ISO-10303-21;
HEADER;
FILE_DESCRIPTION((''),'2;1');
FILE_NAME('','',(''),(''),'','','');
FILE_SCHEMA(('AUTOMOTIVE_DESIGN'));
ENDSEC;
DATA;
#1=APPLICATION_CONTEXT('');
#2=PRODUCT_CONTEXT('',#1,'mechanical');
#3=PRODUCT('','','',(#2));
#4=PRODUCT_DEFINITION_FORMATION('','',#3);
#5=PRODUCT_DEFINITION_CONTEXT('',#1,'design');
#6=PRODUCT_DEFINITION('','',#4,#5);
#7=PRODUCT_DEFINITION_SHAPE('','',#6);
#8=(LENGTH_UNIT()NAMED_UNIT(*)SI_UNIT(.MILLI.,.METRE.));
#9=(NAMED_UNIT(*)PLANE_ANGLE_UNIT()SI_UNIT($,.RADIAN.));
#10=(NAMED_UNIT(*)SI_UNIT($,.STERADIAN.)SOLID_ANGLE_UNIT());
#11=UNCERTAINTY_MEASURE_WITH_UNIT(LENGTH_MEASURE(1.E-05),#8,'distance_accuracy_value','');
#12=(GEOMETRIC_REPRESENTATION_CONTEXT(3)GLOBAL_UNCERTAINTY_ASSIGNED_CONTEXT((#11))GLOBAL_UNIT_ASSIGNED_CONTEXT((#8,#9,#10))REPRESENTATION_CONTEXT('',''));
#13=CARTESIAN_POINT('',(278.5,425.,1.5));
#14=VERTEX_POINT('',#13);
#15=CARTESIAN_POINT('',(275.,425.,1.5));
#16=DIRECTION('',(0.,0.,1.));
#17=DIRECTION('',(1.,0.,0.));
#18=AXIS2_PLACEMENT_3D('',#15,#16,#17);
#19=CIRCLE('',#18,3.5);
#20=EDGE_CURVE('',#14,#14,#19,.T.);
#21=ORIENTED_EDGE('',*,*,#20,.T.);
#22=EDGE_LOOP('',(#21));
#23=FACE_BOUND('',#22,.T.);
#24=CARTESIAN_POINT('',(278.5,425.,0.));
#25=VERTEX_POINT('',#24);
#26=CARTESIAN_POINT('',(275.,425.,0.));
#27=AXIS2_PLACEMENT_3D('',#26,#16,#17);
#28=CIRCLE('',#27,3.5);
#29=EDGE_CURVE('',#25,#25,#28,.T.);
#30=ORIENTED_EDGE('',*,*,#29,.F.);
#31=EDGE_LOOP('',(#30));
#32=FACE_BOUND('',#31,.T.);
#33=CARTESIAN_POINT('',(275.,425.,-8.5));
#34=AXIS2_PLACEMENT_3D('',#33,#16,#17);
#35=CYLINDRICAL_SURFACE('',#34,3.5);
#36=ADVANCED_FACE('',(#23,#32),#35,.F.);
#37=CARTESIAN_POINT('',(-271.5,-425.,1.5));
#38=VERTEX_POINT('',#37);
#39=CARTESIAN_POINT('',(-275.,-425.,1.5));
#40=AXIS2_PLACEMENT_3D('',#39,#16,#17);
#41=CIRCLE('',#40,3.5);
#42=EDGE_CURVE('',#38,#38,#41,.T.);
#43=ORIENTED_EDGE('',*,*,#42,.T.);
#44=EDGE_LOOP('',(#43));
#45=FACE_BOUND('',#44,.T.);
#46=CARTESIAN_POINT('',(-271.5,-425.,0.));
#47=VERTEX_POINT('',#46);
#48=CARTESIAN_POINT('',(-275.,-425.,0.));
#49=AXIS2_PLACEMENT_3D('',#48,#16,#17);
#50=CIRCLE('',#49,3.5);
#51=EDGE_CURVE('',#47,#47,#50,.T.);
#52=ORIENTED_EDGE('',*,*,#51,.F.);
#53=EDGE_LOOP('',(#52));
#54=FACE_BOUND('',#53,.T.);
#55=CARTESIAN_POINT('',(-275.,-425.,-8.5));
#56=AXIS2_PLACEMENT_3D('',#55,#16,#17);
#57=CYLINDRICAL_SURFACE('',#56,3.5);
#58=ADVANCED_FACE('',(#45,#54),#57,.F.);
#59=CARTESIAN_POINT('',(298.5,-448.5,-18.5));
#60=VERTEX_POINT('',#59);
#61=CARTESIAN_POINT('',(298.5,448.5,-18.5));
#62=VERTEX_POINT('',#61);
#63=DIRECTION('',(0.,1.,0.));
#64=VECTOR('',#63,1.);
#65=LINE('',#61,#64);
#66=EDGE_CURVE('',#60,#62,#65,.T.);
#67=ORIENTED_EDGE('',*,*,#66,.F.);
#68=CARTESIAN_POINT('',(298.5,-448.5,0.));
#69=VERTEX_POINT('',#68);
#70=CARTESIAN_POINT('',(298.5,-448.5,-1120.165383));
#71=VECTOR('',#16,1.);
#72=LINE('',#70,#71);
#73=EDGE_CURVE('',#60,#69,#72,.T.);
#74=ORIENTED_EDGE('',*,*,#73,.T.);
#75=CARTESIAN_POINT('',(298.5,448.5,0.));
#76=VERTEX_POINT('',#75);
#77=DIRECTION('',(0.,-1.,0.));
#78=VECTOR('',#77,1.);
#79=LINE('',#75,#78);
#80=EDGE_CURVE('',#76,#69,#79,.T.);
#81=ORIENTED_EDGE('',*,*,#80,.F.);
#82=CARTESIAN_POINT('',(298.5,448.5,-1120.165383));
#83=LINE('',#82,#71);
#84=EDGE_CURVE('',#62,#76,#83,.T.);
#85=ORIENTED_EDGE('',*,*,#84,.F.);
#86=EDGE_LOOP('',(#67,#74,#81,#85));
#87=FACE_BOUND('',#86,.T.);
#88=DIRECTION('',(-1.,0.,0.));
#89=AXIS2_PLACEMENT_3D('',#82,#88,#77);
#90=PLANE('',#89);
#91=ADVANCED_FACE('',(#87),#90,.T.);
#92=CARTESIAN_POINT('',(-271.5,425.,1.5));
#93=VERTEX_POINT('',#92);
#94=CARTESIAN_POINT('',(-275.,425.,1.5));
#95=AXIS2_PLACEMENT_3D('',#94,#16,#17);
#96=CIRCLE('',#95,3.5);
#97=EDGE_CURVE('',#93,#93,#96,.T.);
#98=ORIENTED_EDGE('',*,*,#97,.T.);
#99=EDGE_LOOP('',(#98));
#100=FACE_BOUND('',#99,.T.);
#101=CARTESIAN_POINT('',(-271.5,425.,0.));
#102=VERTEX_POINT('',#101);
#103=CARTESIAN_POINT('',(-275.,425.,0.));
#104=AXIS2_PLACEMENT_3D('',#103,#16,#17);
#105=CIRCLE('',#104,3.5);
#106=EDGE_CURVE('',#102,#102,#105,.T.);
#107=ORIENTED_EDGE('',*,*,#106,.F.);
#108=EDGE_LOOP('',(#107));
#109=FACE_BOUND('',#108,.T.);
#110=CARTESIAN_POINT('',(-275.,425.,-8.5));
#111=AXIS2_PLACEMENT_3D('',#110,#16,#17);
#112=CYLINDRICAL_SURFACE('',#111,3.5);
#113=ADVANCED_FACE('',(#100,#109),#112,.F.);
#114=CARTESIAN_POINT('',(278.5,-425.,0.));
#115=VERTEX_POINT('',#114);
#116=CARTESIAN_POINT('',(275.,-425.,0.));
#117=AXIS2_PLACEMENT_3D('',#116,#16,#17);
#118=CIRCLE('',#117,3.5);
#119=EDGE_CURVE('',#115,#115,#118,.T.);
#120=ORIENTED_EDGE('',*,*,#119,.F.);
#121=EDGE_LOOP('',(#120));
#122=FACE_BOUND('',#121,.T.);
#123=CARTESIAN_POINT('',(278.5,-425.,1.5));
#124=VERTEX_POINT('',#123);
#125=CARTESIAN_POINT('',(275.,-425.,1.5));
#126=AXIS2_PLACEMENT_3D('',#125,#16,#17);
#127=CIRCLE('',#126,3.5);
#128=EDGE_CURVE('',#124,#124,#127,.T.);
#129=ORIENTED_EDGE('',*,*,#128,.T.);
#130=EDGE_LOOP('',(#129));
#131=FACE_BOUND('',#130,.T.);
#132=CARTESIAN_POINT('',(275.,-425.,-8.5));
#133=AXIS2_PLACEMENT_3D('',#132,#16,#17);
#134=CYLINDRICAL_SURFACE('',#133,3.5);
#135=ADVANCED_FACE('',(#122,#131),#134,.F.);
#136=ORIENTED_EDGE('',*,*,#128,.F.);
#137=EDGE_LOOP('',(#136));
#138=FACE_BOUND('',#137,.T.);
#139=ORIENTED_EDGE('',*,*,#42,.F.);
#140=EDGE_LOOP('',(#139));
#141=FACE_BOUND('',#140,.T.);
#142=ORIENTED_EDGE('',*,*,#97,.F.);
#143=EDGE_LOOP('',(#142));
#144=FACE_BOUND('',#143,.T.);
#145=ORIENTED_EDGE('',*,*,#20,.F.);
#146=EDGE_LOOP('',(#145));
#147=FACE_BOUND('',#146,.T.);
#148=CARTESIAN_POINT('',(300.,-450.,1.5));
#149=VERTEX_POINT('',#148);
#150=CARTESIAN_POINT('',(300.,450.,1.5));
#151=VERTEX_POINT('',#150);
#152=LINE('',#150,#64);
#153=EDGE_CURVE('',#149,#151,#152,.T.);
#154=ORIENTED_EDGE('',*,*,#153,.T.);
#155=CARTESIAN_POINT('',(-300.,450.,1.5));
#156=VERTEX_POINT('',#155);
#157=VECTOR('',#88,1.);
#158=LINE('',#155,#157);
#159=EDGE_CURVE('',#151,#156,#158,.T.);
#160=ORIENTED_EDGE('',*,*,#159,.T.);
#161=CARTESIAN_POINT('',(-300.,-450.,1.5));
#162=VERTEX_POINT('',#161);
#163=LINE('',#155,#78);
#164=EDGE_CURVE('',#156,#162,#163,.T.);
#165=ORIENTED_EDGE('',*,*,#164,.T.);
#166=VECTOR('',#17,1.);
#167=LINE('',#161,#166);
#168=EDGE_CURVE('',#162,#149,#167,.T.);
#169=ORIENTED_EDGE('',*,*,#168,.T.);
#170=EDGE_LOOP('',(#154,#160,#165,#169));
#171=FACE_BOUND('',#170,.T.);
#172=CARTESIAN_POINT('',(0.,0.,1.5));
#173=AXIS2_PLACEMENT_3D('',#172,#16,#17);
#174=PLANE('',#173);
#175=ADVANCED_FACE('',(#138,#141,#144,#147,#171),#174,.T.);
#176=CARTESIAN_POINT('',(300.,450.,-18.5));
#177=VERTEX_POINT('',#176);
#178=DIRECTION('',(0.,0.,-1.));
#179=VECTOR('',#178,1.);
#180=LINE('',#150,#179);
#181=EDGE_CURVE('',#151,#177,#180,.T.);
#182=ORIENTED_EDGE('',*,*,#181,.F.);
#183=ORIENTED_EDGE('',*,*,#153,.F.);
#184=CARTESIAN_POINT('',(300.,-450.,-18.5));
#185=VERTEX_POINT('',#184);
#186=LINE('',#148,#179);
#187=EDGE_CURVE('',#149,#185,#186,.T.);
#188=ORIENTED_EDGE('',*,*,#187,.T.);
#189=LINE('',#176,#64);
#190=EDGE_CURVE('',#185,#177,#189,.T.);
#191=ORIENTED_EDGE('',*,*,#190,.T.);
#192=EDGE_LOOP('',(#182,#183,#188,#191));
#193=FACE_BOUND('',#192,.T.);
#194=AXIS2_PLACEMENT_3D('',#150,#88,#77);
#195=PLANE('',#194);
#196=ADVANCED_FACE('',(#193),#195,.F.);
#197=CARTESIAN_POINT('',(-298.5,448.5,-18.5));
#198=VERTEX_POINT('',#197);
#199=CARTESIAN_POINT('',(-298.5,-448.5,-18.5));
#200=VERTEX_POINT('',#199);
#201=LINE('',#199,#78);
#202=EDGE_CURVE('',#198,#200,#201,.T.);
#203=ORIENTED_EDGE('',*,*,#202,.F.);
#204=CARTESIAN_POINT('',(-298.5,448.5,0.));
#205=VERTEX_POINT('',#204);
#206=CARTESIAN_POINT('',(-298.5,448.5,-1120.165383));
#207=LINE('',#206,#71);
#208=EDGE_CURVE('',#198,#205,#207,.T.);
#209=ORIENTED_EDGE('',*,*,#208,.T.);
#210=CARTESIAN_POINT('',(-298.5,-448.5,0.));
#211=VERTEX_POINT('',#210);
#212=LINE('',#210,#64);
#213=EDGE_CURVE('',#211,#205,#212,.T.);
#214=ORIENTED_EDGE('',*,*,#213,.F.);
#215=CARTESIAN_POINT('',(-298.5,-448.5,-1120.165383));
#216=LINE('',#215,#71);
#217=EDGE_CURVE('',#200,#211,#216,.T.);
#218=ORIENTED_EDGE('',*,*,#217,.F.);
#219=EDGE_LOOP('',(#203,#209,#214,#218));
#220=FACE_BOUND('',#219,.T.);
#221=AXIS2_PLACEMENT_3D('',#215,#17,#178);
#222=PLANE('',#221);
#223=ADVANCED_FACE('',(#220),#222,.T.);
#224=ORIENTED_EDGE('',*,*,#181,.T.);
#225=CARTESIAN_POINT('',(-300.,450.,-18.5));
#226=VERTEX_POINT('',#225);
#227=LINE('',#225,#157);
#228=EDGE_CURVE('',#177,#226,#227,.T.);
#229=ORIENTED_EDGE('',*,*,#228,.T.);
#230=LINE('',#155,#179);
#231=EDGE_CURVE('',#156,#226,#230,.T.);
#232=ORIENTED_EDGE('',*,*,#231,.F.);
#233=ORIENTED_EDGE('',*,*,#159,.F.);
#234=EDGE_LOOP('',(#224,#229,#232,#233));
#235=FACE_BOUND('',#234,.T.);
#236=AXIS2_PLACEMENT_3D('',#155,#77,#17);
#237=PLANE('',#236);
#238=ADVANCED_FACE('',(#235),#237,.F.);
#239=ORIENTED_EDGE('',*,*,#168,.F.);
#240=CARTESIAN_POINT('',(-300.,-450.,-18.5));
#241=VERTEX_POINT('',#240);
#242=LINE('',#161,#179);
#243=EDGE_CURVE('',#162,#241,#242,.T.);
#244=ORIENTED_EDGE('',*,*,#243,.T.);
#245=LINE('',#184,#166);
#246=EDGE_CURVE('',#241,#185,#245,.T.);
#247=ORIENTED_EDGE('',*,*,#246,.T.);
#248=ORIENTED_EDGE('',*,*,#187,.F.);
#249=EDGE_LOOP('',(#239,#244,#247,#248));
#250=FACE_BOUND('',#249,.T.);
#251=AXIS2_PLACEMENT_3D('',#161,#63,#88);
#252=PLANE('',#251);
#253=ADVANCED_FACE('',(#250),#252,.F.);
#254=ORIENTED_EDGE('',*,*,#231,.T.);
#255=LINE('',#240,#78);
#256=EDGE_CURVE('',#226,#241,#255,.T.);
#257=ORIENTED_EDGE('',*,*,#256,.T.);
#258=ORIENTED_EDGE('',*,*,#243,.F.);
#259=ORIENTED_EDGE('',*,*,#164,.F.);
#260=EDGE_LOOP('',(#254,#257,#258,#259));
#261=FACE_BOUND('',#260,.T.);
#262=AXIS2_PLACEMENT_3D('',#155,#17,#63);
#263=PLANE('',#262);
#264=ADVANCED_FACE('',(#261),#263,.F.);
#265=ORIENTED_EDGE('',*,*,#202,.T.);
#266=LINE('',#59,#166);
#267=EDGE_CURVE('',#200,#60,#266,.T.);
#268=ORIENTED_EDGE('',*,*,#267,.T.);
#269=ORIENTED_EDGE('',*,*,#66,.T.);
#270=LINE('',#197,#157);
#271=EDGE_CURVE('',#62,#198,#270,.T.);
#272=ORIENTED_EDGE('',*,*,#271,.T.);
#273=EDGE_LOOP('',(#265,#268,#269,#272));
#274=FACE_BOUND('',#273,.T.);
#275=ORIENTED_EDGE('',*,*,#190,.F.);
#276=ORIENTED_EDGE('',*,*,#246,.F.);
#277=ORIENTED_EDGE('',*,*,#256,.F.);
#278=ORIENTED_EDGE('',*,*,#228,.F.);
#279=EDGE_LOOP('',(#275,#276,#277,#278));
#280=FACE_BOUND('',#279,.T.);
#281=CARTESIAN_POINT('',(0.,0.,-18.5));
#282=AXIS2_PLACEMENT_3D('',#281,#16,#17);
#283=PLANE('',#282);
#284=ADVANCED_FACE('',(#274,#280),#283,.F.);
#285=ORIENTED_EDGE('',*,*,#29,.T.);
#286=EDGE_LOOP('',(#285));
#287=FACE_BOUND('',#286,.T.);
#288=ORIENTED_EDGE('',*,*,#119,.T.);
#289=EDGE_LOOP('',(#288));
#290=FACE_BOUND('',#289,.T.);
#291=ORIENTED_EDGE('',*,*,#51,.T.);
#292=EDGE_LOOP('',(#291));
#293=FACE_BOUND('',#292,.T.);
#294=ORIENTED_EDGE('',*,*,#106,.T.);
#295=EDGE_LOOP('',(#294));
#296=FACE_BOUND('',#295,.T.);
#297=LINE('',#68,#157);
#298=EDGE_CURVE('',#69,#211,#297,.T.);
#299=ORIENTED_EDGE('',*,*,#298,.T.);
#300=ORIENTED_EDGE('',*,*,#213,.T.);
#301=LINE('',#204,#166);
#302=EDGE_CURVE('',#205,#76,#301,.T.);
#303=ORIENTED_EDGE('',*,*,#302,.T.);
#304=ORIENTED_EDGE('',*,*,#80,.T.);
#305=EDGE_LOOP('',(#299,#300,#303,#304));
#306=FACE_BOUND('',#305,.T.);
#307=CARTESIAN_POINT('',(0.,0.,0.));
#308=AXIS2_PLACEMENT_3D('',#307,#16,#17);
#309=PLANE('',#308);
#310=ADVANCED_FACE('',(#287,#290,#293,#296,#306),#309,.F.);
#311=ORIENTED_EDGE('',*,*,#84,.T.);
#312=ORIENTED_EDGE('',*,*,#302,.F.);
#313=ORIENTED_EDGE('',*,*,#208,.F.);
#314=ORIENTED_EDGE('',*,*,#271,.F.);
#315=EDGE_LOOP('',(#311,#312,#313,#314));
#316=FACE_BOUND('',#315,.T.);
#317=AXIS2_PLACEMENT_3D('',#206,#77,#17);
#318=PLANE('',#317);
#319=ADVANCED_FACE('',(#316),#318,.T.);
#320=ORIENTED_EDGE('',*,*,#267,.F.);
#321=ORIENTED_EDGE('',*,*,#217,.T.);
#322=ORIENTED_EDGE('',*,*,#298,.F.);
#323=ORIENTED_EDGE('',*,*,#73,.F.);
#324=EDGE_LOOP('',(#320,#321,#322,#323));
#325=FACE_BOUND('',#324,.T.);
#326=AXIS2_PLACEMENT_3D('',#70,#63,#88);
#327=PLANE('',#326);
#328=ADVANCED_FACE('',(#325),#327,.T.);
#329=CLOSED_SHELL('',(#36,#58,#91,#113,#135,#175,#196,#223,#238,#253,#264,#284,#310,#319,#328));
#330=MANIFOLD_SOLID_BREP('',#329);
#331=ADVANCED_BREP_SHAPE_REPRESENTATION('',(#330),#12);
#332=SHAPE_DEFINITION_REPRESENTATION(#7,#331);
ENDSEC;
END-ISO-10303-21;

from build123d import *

# Parameters (mm, degrees)
SKETCH_1_W          = 600
SKETCH_1_H          = 900
EXTRUDE_1_DEPTH     = 1.5
SKETCH_2_W          = 600
SKETCH_2_H          = 900
SKETCH_2_W_2        = 597
SKETCH_2_H_2        = 897
EXTRUDE_2_DEPTH     = 18.5
SKETCH_4_R          = 3.5
CUT_EXTRUDE_1_DEPTH = 10


with BuildPart() as part:
    # 草图1 → 凸台-拉伸1 (new body)
    with BuildSketch(Plane.XY):
        Rectangle(SKETCH_1_W, SKETCH_1_H)
    extrude(amount=EXTRUDE_1_DEPTH)

    # 草图2 → 凸台-拉伸2 (add)
    with BuildSketch(Plane(origin=(0, 0, 0), x_dir=(-1, 0, 0), z_dir=(0, 0, -1))):
        Rectangle(SKETCH_2_W, SKETCH_2_H)
        Rectangle(SKETCH_2_W_2, SKETCH_2_H_2, mode=Mode.SUBTRACT)
    extrude(amount=EXTRUDE_2_DEPTH)

    # 草图4 → 切除-拉伸1 (cut)
    with BuildSketch(Plane.XY.offset(1.5)):
        with Locations((-275, 425)):
            Circle(SKETCH_4_R)
        with Locations((275, 425)):
            Circle(SKETCH_4_R)
        with Locations((-275, -425)):
            Circle(SKETCH_4_R)
        with Locations((275, -425)):
            Circle(SKETCH_4_R)
    extrude(amount=-CUT_EXTRUDE_1_DEPTH, mode=Mode.SUBTRACT)


solid = part.part
